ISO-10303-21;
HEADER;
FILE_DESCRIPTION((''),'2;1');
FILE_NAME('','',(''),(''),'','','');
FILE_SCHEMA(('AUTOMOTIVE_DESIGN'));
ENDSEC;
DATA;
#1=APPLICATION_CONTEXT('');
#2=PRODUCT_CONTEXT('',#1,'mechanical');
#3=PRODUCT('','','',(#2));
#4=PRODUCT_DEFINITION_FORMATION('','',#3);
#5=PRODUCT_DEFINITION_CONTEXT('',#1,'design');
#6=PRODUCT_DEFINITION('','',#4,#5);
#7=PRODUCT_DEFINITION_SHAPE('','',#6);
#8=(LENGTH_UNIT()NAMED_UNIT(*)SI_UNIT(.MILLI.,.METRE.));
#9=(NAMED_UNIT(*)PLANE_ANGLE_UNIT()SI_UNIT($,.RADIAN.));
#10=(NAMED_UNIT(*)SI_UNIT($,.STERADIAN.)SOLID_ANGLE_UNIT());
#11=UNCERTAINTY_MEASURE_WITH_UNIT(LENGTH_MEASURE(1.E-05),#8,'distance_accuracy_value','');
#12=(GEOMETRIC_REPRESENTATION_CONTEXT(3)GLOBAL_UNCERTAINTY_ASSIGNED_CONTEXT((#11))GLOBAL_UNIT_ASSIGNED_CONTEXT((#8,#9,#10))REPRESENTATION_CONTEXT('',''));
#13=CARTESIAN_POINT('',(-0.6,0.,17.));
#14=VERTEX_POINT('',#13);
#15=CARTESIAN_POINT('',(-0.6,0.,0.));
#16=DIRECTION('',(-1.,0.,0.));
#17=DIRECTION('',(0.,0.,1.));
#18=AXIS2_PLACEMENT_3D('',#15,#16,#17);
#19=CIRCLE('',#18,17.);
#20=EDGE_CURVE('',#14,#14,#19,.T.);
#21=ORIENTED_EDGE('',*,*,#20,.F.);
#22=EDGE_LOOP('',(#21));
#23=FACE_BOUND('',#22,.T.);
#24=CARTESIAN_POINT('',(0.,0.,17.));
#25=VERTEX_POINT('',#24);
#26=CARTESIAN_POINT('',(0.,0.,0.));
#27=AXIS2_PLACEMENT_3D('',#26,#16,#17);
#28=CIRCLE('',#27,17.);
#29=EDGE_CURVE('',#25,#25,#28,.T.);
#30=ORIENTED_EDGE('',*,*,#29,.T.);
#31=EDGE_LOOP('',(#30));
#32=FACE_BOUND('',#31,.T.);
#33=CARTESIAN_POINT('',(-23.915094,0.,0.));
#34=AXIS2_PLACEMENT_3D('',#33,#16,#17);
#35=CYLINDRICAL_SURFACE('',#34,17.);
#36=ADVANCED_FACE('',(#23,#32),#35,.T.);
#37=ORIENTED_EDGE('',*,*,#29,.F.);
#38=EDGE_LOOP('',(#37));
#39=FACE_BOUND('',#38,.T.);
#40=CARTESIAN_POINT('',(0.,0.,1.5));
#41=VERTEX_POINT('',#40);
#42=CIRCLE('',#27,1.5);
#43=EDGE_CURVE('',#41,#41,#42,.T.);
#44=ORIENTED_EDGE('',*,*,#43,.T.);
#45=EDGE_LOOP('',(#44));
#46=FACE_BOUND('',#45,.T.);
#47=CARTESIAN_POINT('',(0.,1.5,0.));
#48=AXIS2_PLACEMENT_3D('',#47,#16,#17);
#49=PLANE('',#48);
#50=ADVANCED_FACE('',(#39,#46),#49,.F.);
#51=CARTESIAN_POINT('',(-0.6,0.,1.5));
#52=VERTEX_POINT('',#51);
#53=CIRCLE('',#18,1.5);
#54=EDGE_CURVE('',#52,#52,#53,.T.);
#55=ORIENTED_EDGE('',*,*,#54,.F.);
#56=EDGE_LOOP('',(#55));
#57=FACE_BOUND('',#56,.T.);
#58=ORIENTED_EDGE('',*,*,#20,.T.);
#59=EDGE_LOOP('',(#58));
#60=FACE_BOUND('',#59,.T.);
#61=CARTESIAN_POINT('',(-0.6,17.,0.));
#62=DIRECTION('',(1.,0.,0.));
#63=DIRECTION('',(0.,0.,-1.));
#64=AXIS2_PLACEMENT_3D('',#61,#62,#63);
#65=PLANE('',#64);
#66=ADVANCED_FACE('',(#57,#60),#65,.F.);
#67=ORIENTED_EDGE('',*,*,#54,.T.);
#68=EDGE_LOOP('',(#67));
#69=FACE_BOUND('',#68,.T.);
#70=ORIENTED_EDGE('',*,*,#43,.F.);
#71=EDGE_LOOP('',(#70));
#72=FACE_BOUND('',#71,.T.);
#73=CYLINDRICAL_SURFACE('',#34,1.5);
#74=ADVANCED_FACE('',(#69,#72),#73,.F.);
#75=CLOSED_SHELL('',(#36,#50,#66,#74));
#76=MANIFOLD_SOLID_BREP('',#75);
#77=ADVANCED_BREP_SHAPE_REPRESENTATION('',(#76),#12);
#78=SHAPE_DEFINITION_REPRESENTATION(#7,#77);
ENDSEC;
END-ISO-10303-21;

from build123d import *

# Parameters (mm, degrees)
SKETCH_1_W = 0.6
SKETCH_1_H = 15.5


with BuildPart() as part:
    # 草图1 → 旋转1 (revolve)
    with BuildSketch(Plane.XY, mode=Mode.PRIVATE) as revolve_1_sk:
        with Locations((-0.3, 9.25)):
            Rectangle(SKETCH_1_W, SKETCH_1_H)
    revolve(revolve_1_sk.sketch.rotate(Axis((-23.91509434, 0, 0), (1, 0, 0)), 90), axis=Axis((-23.91509434, 0, 0), (1, 0, 0)))


solid = part.part
